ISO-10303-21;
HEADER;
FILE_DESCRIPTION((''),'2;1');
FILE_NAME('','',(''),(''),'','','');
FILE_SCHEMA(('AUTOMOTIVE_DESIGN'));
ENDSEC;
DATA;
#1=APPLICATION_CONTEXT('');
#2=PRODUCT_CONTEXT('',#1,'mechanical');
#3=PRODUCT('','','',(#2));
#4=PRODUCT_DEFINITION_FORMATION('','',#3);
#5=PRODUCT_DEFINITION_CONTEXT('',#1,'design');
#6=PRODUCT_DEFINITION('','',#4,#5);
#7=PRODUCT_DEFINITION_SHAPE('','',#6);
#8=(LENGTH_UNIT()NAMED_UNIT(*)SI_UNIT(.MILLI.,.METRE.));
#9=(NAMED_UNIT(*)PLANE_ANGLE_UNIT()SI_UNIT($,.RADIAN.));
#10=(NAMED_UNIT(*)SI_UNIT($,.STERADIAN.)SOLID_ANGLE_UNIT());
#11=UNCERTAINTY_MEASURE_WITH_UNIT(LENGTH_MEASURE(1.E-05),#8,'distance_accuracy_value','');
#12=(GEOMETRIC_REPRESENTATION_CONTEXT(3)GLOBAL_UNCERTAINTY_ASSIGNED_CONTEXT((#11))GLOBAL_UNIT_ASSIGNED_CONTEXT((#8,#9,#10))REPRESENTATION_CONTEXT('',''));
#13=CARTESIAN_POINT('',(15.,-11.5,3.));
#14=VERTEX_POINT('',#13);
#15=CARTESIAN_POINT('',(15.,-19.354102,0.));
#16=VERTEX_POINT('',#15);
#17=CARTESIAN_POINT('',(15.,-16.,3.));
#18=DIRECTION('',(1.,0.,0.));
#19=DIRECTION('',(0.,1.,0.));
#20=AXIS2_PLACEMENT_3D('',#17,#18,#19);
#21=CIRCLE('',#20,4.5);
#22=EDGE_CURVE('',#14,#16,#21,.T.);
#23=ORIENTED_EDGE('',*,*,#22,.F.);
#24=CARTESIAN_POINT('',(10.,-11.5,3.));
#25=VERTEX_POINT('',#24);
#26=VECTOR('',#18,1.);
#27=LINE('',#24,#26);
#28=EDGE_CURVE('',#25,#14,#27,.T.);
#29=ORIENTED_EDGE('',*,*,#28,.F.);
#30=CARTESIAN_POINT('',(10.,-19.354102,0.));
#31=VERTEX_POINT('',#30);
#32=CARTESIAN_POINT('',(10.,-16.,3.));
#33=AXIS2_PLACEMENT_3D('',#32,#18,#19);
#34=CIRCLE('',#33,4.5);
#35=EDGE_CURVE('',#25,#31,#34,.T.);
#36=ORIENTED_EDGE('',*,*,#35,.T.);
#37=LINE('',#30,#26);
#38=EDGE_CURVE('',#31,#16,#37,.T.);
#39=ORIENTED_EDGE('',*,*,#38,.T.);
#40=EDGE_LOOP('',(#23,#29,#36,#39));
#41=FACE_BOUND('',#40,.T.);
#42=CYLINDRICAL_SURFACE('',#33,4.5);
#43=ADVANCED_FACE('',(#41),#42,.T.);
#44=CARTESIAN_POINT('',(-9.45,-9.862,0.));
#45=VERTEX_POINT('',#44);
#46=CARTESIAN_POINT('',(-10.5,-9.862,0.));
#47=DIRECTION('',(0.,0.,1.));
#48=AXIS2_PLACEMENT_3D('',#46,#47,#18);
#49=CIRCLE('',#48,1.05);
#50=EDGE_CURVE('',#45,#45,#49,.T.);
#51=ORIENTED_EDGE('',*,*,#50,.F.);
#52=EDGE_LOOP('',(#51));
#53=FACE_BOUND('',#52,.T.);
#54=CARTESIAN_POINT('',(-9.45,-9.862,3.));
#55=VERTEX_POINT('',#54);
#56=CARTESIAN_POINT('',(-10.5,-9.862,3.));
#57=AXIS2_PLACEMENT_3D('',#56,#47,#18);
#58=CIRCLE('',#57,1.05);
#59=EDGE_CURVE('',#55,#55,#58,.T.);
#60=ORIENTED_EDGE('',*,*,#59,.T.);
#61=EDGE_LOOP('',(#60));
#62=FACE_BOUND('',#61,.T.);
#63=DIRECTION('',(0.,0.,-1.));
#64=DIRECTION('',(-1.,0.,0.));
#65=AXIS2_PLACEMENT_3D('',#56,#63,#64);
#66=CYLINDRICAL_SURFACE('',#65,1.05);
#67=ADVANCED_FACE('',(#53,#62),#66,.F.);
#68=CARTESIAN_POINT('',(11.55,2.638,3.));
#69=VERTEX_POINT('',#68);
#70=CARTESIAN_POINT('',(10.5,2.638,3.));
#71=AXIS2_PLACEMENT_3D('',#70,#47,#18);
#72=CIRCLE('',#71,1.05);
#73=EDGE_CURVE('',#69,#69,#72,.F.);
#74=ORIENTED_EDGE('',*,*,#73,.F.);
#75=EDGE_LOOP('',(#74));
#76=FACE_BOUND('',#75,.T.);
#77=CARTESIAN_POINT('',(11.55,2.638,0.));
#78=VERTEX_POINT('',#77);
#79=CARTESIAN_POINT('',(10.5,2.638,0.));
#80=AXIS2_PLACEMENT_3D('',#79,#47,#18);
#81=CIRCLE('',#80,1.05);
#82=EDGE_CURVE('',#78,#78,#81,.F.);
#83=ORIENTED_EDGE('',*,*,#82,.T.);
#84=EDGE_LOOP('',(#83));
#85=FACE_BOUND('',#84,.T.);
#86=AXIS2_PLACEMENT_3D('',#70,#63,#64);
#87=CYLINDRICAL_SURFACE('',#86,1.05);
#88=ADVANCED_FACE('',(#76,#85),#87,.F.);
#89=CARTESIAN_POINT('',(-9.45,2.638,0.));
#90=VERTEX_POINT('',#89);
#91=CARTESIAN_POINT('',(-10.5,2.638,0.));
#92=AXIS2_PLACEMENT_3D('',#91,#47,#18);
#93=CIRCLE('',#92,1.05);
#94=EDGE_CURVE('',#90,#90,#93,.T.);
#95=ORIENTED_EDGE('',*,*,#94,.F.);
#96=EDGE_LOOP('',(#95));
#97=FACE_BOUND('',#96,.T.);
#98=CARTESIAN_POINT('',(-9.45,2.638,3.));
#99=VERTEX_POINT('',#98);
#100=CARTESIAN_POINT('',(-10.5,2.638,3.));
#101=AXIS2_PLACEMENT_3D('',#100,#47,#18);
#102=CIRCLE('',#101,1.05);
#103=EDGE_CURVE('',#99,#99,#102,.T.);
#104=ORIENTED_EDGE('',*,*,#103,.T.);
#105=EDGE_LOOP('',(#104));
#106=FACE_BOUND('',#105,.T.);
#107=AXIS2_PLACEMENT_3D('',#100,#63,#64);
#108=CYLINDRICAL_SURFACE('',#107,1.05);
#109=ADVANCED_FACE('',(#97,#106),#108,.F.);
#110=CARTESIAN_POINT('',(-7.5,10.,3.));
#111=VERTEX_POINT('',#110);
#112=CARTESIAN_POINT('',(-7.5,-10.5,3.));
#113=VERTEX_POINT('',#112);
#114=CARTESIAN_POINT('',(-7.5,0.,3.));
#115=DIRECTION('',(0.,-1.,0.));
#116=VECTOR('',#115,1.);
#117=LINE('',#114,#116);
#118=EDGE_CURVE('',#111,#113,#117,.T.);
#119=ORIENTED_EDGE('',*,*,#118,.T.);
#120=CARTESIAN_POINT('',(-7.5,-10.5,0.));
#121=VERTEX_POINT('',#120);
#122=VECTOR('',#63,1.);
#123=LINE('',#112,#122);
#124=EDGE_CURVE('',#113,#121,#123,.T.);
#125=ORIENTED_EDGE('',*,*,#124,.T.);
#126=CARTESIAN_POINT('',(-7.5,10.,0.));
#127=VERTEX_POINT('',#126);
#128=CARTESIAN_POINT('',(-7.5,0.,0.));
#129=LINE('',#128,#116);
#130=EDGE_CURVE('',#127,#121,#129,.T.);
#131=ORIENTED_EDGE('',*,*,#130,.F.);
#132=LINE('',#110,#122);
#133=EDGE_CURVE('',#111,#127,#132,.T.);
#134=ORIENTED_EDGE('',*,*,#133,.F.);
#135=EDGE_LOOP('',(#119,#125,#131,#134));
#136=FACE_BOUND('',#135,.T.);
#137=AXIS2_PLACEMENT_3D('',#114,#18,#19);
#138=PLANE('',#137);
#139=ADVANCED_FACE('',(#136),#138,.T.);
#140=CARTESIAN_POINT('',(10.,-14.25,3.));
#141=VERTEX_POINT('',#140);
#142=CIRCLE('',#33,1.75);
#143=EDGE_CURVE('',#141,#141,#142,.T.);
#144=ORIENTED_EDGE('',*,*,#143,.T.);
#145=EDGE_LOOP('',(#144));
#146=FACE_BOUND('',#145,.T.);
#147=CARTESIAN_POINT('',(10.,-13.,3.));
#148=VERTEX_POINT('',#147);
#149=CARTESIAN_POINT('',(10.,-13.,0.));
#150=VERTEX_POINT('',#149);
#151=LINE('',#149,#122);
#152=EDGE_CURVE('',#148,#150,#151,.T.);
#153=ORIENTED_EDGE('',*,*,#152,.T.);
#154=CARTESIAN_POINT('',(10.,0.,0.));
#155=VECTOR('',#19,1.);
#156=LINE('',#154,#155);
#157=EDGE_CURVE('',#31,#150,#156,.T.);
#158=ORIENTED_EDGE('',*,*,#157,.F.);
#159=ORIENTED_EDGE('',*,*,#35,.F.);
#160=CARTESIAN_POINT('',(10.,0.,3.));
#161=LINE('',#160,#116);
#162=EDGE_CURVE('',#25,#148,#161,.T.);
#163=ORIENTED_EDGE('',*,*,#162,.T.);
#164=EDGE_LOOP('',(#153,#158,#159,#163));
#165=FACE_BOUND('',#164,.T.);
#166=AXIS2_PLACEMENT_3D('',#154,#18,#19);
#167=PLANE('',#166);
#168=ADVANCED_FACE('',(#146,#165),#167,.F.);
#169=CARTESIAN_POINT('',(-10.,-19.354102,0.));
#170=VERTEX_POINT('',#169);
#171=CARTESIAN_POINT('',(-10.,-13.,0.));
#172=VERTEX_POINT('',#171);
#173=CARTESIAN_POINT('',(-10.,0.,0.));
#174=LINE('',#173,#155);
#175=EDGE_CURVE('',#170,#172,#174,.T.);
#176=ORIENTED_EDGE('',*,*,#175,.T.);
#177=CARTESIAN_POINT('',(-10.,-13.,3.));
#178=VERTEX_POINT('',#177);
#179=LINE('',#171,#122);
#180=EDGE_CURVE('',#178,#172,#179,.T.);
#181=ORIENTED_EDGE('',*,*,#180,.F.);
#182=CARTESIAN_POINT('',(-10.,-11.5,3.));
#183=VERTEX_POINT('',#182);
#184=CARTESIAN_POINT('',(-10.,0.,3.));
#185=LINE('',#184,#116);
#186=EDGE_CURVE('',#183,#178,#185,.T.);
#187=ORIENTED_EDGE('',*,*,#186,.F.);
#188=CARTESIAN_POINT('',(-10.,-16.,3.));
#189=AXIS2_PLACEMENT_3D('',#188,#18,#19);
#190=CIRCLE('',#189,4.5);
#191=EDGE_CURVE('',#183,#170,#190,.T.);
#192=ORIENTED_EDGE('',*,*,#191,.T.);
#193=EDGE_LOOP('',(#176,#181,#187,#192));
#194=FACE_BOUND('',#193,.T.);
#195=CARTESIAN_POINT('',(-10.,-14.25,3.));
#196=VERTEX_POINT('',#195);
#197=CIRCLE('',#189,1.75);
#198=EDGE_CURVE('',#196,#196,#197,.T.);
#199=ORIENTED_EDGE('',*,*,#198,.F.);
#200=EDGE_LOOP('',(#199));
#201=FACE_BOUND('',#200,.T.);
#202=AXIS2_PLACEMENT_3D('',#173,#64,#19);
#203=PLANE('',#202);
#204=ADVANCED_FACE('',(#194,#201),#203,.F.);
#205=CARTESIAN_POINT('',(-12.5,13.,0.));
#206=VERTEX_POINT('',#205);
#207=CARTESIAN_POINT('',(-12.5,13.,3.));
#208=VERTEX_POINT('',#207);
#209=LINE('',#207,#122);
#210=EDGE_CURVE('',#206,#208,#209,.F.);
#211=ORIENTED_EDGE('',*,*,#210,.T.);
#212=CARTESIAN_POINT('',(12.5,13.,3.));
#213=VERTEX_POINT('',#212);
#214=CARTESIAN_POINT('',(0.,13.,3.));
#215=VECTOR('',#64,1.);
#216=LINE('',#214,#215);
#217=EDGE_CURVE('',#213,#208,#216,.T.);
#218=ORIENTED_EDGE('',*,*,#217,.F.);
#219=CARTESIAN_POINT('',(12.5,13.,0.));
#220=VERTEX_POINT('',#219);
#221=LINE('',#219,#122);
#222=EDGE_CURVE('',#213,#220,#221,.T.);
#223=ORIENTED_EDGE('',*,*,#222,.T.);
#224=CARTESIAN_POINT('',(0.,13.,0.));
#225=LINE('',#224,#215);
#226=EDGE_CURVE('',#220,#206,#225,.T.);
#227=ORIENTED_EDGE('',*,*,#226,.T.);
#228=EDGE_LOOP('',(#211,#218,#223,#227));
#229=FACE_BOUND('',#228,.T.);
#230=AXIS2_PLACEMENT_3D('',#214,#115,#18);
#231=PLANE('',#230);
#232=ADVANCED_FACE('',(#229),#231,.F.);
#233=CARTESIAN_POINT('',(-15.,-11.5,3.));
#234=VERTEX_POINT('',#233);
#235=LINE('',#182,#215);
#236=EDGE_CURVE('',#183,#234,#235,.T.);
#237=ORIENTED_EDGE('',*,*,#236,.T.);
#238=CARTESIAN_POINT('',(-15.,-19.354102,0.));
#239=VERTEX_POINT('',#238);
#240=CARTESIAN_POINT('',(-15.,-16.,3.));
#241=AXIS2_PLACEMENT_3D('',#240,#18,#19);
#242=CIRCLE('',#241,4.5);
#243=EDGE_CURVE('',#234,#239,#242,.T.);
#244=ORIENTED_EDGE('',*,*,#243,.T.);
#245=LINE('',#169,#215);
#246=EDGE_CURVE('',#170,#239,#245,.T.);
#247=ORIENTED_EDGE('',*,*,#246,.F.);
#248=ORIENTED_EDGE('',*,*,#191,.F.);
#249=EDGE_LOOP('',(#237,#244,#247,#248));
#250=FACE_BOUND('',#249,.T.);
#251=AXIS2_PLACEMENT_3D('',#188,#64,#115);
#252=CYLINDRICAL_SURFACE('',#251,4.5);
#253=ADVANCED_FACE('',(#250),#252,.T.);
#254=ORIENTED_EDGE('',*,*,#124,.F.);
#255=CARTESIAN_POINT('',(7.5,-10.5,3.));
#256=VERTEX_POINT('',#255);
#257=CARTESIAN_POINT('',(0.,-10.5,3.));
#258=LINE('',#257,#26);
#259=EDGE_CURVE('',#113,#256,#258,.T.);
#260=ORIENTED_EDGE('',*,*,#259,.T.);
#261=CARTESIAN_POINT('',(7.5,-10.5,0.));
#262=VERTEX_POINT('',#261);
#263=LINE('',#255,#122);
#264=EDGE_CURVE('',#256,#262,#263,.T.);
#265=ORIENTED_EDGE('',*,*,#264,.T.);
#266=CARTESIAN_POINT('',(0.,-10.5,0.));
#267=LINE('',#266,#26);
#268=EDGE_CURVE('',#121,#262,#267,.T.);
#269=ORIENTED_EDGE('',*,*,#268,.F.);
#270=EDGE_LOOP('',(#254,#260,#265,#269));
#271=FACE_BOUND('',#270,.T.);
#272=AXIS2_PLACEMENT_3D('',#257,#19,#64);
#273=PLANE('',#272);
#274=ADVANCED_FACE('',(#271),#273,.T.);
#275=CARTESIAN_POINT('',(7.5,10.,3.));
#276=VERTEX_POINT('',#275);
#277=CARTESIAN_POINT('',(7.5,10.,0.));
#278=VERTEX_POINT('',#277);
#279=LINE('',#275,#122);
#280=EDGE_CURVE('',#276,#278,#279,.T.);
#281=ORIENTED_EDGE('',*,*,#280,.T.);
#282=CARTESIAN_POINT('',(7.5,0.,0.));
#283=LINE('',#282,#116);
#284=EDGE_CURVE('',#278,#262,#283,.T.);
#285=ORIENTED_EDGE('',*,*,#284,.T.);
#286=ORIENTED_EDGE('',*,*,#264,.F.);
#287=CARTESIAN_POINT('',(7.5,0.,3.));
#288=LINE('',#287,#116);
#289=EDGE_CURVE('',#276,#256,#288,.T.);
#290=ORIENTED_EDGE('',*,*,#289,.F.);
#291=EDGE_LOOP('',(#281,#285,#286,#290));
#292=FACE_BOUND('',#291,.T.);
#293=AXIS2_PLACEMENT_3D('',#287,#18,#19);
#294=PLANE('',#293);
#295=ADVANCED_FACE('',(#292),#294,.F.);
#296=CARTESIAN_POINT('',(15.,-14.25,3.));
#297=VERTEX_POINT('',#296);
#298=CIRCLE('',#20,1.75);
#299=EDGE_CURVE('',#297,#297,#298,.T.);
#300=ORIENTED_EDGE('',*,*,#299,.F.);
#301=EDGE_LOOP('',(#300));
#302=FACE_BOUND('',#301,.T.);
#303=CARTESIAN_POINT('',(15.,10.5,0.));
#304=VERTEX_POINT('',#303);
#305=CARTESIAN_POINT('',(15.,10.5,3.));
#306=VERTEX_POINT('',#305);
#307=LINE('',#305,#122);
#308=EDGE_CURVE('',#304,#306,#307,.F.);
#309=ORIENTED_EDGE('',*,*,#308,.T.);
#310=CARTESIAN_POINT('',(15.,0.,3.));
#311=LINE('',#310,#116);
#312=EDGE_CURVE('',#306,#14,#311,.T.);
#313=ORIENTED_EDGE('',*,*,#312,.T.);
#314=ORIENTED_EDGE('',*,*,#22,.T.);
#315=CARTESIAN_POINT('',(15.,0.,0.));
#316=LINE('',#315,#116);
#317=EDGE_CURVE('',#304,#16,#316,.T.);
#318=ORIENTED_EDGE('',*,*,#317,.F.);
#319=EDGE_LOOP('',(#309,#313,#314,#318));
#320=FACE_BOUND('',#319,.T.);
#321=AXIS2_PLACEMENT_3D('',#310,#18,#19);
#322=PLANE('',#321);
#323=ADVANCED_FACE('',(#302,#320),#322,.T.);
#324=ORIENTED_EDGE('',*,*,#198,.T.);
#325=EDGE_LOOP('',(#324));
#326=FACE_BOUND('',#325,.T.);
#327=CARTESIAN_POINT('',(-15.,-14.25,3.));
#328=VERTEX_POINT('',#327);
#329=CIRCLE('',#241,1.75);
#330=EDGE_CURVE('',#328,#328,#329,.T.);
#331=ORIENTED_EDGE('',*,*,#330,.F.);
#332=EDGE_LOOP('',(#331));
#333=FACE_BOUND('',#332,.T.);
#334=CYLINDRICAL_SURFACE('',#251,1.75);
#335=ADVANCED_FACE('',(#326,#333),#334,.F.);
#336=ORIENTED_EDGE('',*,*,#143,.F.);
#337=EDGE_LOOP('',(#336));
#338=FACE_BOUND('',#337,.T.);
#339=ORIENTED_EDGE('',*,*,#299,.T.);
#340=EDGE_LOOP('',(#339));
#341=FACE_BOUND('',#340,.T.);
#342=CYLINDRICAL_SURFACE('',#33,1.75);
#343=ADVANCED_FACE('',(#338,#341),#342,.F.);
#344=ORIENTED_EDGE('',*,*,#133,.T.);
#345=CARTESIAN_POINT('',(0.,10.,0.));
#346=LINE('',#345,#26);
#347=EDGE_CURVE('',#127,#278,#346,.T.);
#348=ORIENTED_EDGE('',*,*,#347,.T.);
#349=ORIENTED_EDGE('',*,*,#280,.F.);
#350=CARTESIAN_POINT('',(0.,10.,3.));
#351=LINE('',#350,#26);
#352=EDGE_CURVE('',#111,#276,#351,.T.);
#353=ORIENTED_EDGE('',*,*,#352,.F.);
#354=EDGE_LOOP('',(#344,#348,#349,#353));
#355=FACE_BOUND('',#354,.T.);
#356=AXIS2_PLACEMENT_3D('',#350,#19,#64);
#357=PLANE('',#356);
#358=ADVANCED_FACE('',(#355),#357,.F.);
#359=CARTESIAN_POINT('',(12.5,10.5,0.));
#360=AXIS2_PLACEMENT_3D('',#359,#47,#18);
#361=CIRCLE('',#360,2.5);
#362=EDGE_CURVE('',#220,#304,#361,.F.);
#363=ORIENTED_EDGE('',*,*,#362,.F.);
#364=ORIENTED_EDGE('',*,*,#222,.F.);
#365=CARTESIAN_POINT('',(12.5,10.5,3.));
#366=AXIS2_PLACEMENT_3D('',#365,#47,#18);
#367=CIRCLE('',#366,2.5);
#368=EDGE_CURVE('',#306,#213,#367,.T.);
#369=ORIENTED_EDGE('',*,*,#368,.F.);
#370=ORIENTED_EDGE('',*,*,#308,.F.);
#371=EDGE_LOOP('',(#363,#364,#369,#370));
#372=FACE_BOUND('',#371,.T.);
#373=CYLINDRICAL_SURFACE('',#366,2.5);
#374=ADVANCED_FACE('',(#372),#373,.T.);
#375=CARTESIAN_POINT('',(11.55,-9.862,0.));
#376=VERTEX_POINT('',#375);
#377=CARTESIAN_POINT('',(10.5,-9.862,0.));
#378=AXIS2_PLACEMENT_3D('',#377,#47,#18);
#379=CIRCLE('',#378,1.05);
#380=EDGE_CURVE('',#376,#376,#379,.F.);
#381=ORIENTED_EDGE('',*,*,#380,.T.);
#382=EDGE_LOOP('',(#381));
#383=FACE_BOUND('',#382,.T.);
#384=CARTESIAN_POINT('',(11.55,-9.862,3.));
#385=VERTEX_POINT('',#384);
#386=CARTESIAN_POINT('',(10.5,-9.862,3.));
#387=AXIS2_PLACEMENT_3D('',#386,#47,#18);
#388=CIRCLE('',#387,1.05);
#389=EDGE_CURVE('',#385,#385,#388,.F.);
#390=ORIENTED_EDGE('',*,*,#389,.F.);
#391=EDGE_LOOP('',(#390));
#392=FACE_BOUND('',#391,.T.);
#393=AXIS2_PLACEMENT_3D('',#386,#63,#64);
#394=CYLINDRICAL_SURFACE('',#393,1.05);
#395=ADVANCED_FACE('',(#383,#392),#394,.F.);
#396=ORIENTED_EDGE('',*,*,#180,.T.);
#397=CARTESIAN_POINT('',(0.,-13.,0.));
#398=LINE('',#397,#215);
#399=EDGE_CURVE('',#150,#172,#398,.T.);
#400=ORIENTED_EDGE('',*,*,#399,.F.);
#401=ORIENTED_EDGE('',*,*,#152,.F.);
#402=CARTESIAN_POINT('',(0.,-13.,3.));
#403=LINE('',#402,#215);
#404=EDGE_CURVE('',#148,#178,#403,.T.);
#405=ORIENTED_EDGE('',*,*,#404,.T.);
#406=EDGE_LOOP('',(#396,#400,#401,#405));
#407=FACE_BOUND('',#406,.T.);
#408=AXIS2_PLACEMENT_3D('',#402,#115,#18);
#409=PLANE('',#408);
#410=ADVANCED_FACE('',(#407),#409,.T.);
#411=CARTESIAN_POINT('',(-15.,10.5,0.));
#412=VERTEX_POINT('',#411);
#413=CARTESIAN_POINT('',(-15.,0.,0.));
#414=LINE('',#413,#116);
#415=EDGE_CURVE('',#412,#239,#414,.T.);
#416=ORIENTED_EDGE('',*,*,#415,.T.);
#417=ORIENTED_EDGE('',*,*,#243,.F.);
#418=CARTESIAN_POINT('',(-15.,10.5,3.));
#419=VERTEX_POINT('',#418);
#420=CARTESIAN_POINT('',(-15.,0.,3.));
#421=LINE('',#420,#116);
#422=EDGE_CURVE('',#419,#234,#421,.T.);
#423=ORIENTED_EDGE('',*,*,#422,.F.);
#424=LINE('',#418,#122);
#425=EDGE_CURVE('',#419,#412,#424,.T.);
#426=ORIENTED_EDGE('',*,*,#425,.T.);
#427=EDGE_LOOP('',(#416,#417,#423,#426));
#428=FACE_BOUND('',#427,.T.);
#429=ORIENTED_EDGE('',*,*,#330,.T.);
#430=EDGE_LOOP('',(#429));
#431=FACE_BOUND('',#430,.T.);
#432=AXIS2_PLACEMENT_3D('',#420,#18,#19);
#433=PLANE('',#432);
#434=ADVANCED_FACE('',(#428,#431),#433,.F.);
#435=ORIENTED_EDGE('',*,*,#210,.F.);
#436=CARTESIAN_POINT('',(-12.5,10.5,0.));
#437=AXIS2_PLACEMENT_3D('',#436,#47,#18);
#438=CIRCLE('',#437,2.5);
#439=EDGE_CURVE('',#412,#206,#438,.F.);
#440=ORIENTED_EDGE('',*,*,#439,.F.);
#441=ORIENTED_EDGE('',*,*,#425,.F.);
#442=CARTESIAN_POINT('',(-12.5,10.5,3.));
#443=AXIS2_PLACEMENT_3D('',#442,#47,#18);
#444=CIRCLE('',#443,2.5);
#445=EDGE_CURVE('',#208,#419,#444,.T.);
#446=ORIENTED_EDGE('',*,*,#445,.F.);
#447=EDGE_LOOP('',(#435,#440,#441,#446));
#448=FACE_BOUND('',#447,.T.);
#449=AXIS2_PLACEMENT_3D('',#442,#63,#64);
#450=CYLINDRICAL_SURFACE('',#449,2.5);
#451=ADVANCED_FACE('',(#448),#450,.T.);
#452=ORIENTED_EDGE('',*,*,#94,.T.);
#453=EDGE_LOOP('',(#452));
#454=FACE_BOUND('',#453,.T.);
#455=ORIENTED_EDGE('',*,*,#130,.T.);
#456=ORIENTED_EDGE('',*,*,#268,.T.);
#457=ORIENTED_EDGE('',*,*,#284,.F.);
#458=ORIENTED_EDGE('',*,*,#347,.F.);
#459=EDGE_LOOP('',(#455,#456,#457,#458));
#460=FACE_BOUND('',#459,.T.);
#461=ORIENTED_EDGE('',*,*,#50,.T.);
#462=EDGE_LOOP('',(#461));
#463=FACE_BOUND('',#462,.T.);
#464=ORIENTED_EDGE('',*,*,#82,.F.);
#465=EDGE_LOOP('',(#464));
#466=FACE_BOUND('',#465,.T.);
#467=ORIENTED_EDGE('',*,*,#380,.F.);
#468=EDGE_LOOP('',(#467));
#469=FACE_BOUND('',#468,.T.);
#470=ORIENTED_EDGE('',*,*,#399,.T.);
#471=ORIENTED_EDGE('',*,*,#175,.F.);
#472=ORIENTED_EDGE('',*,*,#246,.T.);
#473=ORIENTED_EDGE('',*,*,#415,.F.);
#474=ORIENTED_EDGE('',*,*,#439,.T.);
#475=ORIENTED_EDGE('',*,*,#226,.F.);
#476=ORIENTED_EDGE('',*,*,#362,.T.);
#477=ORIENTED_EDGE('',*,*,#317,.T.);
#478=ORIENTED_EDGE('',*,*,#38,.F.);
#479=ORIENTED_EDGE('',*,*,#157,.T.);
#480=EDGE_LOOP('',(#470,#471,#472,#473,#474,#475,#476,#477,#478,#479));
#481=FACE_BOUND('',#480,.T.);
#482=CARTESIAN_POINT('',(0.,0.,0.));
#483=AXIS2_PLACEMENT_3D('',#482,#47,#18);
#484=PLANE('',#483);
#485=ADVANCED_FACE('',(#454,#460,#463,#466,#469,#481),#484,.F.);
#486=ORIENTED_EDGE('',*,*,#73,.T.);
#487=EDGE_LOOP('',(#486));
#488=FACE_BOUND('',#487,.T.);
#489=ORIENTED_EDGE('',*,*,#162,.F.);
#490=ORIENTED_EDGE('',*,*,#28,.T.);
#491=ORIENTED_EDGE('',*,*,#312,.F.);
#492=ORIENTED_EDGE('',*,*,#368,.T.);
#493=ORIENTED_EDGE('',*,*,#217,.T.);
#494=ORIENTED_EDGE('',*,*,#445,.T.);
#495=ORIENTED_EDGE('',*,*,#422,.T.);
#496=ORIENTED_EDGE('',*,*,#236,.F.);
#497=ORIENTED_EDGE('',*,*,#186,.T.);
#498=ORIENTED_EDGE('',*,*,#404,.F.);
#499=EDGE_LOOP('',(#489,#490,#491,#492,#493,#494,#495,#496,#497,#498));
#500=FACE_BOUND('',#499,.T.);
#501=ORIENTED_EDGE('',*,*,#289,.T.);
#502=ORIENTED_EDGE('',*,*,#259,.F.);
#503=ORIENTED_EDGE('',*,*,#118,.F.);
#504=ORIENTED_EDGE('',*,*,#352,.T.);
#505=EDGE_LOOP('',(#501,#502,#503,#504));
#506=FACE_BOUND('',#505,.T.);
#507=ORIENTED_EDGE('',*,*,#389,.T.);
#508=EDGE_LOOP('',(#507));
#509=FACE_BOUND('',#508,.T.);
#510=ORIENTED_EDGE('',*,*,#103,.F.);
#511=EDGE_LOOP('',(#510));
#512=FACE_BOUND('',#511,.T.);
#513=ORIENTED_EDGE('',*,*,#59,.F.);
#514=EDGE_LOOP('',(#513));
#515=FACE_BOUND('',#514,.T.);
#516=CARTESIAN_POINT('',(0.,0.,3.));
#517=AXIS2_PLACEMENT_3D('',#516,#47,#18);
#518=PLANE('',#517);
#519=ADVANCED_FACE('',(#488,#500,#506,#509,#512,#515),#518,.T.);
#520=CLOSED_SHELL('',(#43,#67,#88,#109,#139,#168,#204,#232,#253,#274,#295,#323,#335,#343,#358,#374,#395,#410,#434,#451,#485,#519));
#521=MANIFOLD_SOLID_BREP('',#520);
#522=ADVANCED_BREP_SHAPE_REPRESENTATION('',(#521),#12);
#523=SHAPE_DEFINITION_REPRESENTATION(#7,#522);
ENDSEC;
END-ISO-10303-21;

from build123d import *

# Parameters (mm, degrees)
ESQUISSE1_W        = 30
ESQUISSE1_H        = 26
ESQUISSE1_R        = 1.05
ESQUISSE1_W_2      = 15
ESQUISSE1_H_2      = 20.5
BOSS_EXTRU_1_DEPTH = 3
CONG_1_R           = 2.5
ESQUISSE3_R        = 1.75
BOSS_EXTRU_3_DEPTH = 5


with BuildPart() as part:
    # Esquisse1 → Boss.-Extru.1 (new body)
    with BuildSketch(Plane.XY):
        Rectangle(ESQUISSE1_W, ESQUISSE1_H)
        with Locations((-10.5, 2.638)):
            Circle(ESQUISSE1_R, mode=Mode.SUBTRACT)
        with Locations((10.5, 2.638)):
            Circle(ESQUISSE1_R, mode=Mode.SUBTRACT)
        with Locations((-10.5, -9.862)):
            Circle(ESQUISSE1_R, mode=Mode.SUBTRACT)
        with Locations((10.5, -9.862)):
            Circle(ESQUISSE1_R, mode=Mode.SUBTRACT)
        with Locations((0, -0.25)):
            Rectangle(ESQUISSE1_W_2, ESQUISSE1_H_2, mode=Mode.SUBTRACT)
    extrude(amount=BOSS_EXTRU_1_DEPTH)

    # Congé1
    cong_1_edges = [part.edges().sort_by_distance(p)[0] for p in [
        (15, 13, 1.5),
        (-15, 13, 1.5),
    ]]
    fillet(cong_1_edges, radius=CONG_1_R)

    # Esquisse3 → Boss.-Extru.3 (add)
    with BuildSketch(Plane(origin=(15, 0, 0), x_dir=(0, 0, -1), z_dir=(1, 0, 0))):
        with BuildLine():
            ThreePointArc((-3, -11.5), (-7.203775615, -17.605699404), (0, -19.354101966))
            Line((0, -19.354101966), (0, -13))
            Line((0, -13), (-3, -13))
            Line((-3, -13), (-3, -11.5))
        make_face()
        with Locations(Location((-3, -16, 0), (0, 0, 90))):
            Circle(ESQUISSE3_R, mode=Mode.SUBTRACT)
    boss_extru_3 = extrude(amount=-BOSS_EXTRU_3_DEPTH)

    # Symétrie2: Boss.-Extru.3 across plane
    add(boss_extru_3.mirror(Plane(origin=(0, 0, 0), x_dir=(0, 0, 1), z_dir=(1, 0, 0))))


solid = part.part
